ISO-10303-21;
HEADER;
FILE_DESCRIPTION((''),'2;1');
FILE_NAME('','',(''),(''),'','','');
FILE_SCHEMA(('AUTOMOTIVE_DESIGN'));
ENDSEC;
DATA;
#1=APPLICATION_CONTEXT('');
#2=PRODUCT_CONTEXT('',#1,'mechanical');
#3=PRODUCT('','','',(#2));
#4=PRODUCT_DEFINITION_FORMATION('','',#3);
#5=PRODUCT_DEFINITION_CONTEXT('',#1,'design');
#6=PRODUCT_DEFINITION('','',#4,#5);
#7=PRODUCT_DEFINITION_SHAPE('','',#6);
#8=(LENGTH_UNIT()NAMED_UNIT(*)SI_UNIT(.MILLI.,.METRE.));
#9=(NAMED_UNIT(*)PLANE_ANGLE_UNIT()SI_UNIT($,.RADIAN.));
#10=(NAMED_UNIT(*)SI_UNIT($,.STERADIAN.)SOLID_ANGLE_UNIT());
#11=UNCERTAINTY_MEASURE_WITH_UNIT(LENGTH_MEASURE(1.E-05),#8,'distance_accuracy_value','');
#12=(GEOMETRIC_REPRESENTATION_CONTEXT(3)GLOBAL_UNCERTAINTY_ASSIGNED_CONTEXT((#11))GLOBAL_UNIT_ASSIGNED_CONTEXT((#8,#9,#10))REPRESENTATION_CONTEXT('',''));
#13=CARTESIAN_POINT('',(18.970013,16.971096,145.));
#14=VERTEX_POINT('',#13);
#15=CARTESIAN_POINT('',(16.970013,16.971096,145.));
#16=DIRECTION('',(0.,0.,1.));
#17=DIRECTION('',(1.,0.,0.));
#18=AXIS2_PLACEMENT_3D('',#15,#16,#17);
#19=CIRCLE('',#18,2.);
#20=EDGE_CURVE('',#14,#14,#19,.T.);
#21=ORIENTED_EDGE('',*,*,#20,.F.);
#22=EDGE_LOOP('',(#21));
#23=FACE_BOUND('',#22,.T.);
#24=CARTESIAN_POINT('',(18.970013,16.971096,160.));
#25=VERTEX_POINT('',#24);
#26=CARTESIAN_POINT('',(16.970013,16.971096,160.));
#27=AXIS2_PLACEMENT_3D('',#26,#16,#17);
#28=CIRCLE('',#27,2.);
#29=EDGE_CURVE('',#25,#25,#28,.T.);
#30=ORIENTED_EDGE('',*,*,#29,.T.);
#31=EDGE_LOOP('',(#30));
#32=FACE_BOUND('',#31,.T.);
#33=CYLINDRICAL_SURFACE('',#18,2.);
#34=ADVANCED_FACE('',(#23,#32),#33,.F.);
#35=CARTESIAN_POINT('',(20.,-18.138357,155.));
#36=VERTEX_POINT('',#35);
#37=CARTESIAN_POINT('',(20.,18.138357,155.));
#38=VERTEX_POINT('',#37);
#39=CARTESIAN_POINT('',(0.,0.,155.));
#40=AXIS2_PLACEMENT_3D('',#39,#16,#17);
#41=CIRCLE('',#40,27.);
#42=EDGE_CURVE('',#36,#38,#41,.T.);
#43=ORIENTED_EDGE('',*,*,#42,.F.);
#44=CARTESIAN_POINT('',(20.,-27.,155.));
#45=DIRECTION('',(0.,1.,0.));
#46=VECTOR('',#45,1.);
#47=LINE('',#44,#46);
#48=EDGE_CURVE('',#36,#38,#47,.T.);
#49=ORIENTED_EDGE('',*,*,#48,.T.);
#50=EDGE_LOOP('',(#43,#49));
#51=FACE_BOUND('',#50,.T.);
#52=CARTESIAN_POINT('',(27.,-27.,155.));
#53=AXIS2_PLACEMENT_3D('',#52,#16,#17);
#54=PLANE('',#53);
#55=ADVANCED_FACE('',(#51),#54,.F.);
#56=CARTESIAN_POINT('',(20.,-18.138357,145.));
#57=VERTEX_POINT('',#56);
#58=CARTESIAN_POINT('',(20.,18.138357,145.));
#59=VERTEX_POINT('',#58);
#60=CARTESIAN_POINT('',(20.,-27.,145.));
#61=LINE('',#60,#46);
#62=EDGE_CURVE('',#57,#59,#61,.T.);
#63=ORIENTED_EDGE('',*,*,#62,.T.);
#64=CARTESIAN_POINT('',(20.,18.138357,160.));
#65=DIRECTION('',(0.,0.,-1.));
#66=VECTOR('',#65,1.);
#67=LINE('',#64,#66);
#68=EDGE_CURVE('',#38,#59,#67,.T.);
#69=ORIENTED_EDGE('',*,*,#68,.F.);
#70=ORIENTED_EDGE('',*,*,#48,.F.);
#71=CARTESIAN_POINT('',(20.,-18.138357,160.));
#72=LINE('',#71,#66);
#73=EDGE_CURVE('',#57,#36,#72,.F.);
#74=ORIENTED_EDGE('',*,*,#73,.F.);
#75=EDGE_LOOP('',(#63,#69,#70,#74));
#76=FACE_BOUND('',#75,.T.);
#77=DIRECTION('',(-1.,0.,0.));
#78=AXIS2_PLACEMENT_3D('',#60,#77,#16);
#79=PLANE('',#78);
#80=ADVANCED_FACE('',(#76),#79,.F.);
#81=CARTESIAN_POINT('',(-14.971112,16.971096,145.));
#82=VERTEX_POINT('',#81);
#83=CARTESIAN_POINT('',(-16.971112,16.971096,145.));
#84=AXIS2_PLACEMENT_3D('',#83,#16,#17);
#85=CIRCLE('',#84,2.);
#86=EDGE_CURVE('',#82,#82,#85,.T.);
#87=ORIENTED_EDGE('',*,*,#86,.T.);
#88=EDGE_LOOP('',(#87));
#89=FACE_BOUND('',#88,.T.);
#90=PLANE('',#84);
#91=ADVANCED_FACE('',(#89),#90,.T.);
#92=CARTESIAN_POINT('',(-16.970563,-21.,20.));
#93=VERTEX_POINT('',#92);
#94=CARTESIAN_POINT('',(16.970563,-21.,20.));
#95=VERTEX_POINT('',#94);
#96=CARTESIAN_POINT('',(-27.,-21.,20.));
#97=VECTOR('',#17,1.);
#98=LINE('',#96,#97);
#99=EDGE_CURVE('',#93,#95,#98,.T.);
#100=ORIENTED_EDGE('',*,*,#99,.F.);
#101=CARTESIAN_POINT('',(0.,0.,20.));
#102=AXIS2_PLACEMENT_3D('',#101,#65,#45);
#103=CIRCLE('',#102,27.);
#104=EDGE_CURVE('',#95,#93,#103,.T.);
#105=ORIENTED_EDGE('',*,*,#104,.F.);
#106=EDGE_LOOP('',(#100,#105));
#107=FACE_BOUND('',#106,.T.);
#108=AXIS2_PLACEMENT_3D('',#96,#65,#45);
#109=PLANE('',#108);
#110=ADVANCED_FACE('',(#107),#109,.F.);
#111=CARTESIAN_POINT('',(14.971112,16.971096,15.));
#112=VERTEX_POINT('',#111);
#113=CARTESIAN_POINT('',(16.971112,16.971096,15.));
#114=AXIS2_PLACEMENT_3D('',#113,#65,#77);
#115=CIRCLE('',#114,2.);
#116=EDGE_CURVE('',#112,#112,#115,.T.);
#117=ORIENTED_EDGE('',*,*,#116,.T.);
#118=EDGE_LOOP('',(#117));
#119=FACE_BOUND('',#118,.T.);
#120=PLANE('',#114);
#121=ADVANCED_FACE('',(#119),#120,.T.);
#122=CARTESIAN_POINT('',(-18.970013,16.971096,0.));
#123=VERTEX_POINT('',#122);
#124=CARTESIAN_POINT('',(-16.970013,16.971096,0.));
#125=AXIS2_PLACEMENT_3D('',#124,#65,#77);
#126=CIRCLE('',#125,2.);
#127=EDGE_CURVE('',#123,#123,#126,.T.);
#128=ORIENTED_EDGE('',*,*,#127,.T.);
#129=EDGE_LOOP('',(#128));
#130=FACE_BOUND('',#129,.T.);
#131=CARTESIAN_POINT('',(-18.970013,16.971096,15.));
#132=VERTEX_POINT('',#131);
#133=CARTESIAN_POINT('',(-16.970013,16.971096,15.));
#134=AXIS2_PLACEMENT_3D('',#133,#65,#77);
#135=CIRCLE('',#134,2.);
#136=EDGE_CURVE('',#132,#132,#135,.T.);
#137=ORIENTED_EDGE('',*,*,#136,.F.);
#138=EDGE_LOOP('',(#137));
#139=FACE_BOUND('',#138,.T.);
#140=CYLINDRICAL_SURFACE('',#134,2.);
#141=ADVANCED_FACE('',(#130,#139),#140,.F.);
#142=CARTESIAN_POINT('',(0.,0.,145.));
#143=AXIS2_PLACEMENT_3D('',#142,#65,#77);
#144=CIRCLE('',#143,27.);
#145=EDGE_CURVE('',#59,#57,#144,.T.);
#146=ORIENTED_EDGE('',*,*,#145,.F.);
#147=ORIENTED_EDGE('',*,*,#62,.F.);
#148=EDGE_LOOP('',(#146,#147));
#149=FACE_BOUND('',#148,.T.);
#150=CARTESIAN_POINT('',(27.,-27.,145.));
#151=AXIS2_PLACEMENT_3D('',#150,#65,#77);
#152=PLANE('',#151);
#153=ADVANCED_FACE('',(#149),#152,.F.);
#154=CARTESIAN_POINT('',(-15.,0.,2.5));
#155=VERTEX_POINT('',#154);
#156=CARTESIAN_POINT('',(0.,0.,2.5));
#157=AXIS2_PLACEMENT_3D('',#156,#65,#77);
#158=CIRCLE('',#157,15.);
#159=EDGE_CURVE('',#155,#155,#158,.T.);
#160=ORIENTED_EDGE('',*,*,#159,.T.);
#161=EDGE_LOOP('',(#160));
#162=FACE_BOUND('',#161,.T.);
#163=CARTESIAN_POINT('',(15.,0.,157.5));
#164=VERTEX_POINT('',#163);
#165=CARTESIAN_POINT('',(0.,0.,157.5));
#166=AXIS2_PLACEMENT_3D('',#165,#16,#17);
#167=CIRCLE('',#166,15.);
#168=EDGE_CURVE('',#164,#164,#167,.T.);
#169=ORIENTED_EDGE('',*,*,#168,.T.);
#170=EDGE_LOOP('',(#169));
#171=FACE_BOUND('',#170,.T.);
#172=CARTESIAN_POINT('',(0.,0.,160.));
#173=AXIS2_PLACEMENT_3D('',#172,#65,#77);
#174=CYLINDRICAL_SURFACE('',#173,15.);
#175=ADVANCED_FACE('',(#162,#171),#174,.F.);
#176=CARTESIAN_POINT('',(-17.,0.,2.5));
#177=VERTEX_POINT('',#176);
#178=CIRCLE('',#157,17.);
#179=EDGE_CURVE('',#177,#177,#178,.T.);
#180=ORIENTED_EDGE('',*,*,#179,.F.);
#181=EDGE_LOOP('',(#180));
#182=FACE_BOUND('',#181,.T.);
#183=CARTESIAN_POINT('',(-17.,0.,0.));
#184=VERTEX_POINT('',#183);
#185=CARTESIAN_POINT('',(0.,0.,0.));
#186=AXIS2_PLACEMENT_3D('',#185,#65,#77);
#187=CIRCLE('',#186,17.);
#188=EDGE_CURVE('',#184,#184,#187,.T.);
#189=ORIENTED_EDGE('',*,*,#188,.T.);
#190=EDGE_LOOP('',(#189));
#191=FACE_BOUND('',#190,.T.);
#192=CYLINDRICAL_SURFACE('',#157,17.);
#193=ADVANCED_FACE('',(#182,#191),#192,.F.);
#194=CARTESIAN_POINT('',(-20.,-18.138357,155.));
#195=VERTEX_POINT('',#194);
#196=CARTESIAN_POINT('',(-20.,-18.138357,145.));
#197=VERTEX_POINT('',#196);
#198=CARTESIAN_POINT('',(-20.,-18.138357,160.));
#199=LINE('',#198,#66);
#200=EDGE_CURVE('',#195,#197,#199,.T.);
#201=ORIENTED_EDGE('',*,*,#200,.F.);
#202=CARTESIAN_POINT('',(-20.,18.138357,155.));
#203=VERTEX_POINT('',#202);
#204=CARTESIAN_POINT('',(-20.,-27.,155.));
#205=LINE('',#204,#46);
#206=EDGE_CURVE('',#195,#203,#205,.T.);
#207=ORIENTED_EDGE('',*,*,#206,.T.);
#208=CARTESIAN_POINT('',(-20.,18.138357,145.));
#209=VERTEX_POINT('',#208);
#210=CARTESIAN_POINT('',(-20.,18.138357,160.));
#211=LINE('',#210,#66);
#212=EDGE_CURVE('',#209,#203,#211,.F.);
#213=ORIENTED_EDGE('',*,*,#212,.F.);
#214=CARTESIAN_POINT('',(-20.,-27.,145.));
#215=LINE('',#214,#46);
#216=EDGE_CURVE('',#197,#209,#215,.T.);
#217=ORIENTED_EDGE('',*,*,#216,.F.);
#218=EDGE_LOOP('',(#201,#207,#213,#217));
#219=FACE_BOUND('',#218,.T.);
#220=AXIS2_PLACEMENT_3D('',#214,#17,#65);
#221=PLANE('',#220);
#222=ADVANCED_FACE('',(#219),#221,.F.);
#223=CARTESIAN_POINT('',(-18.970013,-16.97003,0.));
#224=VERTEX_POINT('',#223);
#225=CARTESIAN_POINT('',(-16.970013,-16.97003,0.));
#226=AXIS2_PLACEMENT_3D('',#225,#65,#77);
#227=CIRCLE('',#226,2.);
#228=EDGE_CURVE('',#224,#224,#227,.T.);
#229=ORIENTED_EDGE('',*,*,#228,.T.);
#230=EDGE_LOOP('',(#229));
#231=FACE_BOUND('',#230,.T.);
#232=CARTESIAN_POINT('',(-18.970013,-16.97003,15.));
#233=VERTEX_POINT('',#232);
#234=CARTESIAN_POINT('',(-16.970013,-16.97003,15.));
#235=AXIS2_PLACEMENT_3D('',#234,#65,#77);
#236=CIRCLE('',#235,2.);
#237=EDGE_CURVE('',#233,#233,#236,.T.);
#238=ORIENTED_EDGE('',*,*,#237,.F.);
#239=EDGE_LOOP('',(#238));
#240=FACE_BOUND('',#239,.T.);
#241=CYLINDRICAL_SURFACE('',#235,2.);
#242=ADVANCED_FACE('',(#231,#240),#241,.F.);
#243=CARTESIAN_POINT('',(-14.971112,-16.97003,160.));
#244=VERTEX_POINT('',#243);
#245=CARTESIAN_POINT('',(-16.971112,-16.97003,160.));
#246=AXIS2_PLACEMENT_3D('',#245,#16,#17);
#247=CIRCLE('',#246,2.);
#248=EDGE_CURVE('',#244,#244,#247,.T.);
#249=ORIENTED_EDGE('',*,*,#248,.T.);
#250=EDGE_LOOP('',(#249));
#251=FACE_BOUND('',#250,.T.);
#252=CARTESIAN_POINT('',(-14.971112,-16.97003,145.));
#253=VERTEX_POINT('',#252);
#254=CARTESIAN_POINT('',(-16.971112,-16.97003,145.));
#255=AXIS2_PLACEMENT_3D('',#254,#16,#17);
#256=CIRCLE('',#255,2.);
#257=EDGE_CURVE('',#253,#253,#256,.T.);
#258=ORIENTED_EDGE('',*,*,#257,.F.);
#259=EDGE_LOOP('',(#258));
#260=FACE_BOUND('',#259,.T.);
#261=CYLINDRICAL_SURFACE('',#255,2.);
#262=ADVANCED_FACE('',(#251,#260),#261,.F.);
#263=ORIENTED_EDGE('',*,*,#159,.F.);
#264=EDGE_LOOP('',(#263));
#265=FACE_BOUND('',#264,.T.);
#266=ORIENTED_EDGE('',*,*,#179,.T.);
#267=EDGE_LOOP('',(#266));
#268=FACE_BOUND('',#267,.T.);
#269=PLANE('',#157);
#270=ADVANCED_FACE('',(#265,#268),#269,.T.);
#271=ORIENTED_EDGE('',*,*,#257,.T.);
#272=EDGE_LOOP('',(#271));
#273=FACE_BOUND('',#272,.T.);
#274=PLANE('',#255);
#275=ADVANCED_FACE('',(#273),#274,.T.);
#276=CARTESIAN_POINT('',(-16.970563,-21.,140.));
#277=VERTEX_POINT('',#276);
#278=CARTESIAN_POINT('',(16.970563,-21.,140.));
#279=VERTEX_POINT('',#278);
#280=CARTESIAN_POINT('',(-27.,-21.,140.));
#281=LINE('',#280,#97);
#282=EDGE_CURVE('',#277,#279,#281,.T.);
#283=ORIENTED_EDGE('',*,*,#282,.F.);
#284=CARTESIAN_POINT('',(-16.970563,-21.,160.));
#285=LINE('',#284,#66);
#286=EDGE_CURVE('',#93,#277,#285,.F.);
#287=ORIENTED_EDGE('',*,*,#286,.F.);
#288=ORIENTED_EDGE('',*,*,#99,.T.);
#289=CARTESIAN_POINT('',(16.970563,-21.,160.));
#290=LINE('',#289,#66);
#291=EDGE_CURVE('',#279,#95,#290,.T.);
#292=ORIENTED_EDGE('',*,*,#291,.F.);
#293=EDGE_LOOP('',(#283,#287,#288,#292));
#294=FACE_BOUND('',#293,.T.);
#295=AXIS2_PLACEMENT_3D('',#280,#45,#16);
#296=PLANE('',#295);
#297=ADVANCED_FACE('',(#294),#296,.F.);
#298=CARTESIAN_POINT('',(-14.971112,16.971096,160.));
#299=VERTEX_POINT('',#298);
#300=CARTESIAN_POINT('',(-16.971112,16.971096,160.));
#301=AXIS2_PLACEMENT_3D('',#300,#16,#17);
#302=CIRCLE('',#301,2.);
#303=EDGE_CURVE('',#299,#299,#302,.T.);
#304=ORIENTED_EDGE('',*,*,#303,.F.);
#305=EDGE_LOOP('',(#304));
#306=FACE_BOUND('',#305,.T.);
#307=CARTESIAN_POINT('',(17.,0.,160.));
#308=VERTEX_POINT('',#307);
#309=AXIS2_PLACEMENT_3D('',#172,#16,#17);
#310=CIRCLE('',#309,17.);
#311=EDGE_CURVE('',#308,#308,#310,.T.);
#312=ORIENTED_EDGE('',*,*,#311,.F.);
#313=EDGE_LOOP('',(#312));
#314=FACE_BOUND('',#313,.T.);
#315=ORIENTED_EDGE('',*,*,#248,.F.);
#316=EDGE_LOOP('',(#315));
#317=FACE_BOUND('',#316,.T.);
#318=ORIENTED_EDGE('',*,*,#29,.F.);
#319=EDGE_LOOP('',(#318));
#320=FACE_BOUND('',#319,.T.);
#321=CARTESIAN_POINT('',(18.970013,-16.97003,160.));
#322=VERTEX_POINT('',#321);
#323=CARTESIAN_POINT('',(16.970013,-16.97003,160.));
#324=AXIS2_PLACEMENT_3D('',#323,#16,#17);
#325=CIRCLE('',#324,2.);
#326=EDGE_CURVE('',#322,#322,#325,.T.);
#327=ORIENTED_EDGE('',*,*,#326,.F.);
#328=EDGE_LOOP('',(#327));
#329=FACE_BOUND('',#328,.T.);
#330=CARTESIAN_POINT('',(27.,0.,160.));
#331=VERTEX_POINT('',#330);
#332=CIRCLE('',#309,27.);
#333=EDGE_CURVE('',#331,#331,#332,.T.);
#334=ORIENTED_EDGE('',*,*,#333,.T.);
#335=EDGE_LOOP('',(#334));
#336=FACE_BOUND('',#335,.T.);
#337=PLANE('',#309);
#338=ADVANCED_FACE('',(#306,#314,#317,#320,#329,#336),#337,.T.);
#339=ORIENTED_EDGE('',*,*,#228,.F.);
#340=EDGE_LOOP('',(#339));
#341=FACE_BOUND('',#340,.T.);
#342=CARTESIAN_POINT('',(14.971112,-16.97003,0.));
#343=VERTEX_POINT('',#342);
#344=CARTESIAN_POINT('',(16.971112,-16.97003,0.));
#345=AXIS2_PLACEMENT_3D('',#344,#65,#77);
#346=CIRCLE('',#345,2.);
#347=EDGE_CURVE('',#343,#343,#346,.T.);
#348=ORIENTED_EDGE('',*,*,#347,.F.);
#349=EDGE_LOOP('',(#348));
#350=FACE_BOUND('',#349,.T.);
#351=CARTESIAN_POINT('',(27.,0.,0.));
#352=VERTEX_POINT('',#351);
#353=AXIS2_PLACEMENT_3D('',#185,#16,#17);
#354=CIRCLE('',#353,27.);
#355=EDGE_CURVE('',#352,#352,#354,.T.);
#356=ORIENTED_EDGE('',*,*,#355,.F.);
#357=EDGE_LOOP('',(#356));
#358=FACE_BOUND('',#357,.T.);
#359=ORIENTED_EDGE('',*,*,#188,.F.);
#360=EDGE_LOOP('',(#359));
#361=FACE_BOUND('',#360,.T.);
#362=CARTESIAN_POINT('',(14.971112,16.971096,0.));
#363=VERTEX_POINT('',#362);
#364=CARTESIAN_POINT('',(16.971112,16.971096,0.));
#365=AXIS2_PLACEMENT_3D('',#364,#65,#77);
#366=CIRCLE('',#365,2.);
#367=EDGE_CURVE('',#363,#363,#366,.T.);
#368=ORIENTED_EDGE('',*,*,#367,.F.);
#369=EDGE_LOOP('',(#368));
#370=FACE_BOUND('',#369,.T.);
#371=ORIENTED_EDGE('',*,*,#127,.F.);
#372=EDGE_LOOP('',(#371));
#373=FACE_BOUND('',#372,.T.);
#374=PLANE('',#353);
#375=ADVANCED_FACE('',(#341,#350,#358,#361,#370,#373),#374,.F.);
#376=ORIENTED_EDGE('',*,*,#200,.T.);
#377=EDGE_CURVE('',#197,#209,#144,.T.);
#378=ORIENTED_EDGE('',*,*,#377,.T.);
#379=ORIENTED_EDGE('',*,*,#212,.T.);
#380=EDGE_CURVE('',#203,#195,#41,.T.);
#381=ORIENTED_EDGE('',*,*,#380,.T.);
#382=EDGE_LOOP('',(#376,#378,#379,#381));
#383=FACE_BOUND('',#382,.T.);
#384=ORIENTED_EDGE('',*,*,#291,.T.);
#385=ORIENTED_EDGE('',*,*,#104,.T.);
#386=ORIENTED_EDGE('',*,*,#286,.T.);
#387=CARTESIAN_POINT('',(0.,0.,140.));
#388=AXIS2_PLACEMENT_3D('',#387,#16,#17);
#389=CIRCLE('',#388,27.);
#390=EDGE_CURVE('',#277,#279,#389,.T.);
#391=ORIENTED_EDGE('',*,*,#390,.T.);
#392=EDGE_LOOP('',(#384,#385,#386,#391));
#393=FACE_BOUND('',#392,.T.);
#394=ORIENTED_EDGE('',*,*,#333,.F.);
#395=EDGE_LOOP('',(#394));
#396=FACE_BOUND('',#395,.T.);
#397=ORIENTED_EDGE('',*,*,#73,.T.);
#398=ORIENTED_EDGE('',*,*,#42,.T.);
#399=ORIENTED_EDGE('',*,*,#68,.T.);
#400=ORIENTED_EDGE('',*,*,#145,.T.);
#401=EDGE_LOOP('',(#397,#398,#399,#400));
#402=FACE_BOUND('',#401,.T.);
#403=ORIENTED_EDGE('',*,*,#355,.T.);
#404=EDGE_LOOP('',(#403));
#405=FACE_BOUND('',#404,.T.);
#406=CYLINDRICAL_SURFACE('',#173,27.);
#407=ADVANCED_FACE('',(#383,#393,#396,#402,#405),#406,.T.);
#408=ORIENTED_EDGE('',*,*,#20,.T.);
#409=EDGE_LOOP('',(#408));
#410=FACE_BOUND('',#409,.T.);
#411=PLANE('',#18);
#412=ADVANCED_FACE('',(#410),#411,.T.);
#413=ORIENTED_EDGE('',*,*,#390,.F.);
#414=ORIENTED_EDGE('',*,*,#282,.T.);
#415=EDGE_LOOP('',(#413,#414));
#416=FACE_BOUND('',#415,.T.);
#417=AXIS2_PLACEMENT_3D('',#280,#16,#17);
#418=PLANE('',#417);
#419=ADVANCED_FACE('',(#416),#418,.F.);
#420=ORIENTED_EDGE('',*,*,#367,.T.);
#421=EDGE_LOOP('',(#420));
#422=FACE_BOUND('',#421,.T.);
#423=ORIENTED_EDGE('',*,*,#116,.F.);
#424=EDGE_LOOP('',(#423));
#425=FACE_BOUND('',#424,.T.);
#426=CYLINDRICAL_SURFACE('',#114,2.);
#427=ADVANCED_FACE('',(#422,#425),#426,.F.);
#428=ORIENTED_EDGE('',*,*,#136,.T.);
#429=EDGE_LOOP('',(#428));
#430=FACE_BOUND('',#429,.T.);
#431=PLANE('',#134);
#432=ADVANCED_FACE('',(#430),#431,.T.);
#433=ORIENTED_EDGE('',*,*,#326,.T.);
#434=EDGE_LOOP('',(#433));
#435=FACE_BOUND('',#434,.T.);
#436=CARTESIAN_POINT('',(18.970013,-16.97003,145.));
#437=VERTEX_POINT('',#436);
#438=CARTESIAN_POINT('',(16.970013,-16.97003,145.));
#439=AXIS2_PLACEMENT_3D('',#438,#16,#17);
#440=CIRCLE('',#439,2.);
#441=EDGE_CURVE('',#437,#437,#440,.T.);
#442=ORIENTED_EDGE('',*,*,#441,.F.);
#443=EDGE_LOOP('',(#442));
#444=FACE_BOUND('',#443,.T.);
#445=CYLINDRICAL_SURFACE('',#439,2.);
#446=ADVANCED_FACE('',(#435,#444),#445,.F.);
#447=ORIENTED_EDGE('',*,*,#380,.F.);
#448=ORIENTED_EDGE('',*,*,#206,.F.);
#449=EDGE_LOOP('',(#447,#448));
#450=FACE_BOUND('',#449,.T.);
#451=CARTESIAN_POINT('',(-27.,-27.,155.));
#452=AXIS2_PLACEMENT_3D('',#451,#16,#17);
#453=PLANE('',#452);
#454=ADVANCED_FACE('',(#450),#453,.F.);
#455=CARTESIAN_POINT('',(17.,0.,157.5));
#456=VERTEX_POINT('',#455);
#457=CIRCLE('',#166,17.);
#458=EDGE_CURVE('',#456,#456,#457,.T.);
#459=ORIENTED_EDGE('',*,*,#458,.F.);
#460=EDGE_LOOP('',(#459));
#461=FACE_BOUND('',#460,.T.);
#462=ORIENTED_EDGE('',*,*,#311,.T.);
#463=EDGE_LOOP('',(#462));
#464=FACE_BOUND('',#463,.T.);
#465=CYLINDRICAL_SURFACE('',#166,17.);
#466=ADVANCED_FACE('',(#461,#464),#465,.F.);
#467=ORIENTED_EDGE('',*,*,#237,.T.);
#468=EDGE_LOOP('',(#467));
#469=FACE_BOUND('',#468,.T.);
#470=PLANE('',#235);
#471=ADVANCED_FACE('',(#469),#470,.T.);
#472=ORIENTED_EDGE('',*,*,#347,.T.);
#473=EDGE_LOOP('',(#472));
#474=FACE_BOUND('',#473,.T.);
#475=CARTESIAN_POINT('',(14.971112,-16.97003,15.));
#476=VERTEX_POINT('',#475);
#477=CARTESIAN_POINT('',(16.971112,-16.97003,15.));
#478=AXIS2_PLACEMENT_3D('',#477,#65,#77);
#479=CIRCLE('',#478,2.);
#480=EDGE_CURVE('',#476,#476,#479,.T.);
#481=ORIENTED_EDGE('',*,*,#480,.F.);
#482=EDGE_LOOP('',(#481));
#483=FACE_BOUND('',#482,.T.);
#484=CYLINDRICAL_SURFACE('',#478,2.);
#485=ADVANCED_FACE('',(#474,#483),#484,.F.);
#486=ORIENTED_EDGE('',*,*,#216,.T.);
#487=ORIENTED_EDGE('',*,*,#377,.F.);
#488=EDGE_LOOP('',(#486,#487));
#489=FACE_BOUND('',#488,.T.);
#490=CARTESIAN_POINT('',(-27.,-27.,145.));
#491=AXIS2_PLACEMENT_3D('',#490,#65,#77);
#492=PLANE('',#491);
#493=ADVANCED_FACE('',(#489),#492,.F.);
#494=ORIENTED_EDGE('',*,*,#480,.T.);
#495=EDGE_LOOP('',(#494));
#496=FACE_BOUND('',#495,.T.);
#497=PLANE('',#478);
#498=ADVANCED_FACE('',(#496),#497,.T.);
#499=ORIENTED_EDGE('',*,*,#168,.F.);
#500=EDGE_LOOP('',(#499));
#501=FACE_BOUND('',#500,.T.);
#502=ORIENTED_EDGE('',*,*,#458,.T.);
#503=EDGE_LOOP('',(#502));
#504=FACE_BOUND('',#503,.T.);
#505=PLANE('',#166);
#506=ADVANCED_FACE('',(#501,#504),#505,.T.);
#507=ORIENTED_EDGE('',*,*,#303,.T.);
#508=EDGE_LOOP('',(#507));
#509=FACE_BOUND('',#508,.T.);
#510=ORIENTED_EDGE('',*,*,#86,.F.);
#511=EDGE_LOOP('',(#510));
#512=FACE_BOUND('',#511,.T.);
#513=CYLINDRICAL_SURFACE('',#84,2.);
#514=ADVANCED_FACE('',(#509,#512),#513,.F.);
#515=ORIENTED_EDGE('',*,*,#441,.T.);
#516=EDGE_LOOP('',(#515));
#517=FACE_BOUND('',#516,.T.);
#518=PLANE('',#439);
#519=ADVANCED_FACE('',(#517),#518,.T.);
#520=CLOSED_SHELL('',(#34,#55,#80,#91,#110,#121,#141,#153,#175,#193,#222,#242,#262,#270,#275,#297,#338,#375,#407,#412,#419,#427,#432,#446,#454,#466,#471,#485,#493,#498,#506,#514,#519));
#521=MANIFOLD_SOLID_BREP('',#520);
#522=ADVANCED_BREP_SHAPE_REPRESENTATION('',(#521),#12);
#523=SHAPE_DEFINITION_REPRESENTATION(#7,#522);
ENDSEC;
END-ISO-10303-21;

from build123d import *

# Parameters (mm, degrees)
ESQUISSE1_R           = 27
ESQUISSE1_R_2         = 15
EXTRUSION1_DEPTH      = 160
ESQUISSE2_R           = 2
EXTRUSION2_DEPTH      = 15
ESQUISSE3_R           = 2
EXTRUSION3_DEPTH      = 15
ESQUISSE4_R           = 17
ESQUISSE4_R_2         = 15
EXTRUSION4_DEPTH      = 2.5
ESQUISSE5_R           = 17
ESQUISSE5_R_2         = 15
EXTRUSION5_DEPTH      = 2.5
ESQUISSE6_W           = 120
ESQUISSE6_H           = 6
EXTRUSION6_DEPTH      = 28
EXTRUSION6_DEPTH_BACK = 28
ESQUISSE7_W           = 7
ESQUISSE7_H           = 10
EXTRUSION7_DEPTH      = 28
EXTRUSION7_DEPTH_BACK = 28


with BuildPart() as part:
    # Esquisse1 → Extrusion1 (new body)
    with BuildSketch(Plane.XY):
        Circle(ESQUISSE1_R)
        Circle(ESQUISSE1_R_2, mode=Mode.SUBTRACT)
    extrude(amount=EXTRUSION1_DEPTH)

    # Esquisse2 → Extrusion2 (cut)
    with BuildSketch(Plane.XY.offset(160)):
        with Locations((16.970013406, 16.971095673)):
            Circle(ESQUISSE2_R)
        with Locations((16.970013406, -16.970029824)):
            Circle(ESQUISSE2_R)
        with Locations((-16.971112091, -16.970029824)):
            Circle(ESQUISSE2_R)
        with Locations((-16.971112091, 16.971095673)):
            Circle(ESQUISSE2_R)
    extrude(amount=-EXTRUSION2_DEPTH, mode=Mode.SUBTRACT)

    # Esquisse3 → Extrusion3 (cut)
    with BuildSketch(Plane(origin=(0, 0, 0), x_dir=(-1, 0, 0), z_dir=(0, 0, -1))):
        with Locations((16.970013406, 16.971095673)):
            Circle(ESQUISSE3_R)
        with Locations((-16.971112091, 16.971095673)):
            Circle(ESQUISSE3_R)
        with Locations((-16.971112091, -16.970029824)):
            Circle(ESQUISSE3_R)
        with Locations((16.970013406, -16.970029824)):
            Circle(ESQUISSE3_R)
    extrude(amount=-EXTRUSION3_DEPTH, mode=Mode.SUBTRACT)

    # Esquisse4 → Extrusion4 (cut)
    with BuildSketch(Plane.XY.offset(160)):
        Circle(ESQUISSE4_R)
        Circle(ESQUISSE4_R_2, mode=Mode.SUBTRACT)
    extrude(amount=-EXTRUSION4_DEPTH, mode=Mode.SUBTRACT)

    # Esquisse5 → Extrusion5 (cut)
    with BuildSketch(Plane(origin=(0, 0, 0), x_dir=(-1, 0, 0), z_dir=(0, 0, -1))):
        Circle(ESQUISSE5_R)
        Circle(ESQUISSE5_R_2, mode=Mode.SUBTRACT)
    extrude(amount=-EXTRUSION5_DEPTH, mode=Mode.SUBTRACT)

    # Esquisse6 → Extrusion6 (cut, two sides)
    with BuildSketch(Plane(origin=(0, 0, 0), x_dir=(0, 0, -1), z_dir=(1, 0, 0))) as extrusion6_sk:
        with Locations((-80, -24)):
            Rectangle(ESQUISSE6_W, ESQUISSE6_H)
    extrude(amount=EXTRUSION6_DEPTH, mode=Mode.SUBTRACT)
    extrude(extrusion6_sk.sketch, amount=-EXTRUSION6_DEPTH_BACK, mode=Mode.SUBTRACT)

    # Esquisse7 → Extrusion7 (cut, two sides)
    with BuildSketch(Plane(origin=(0, 0, 0), x_dir=(1, 0, 0), z_dir=(0, 1, 0))) as extrusion7_sk:
        with Locations((23.5, -150)):
            Rectangle(ESQUISSE7_W, ESQUISSE7_H)
        with Locations((-23.5, -150)):
            Rectangle(ESQUISSE7_W, ESQUISSE7_H)
    extrude(amount=EXTRUSION7_DEPTH, mode=Mode.SUBTRACT)
    extrude(extrusion7_sk.sketch, amount=-EXTRUSION7_DEPTH_BACK, mode=Mode.SUBTRACT)


solid = part.part
